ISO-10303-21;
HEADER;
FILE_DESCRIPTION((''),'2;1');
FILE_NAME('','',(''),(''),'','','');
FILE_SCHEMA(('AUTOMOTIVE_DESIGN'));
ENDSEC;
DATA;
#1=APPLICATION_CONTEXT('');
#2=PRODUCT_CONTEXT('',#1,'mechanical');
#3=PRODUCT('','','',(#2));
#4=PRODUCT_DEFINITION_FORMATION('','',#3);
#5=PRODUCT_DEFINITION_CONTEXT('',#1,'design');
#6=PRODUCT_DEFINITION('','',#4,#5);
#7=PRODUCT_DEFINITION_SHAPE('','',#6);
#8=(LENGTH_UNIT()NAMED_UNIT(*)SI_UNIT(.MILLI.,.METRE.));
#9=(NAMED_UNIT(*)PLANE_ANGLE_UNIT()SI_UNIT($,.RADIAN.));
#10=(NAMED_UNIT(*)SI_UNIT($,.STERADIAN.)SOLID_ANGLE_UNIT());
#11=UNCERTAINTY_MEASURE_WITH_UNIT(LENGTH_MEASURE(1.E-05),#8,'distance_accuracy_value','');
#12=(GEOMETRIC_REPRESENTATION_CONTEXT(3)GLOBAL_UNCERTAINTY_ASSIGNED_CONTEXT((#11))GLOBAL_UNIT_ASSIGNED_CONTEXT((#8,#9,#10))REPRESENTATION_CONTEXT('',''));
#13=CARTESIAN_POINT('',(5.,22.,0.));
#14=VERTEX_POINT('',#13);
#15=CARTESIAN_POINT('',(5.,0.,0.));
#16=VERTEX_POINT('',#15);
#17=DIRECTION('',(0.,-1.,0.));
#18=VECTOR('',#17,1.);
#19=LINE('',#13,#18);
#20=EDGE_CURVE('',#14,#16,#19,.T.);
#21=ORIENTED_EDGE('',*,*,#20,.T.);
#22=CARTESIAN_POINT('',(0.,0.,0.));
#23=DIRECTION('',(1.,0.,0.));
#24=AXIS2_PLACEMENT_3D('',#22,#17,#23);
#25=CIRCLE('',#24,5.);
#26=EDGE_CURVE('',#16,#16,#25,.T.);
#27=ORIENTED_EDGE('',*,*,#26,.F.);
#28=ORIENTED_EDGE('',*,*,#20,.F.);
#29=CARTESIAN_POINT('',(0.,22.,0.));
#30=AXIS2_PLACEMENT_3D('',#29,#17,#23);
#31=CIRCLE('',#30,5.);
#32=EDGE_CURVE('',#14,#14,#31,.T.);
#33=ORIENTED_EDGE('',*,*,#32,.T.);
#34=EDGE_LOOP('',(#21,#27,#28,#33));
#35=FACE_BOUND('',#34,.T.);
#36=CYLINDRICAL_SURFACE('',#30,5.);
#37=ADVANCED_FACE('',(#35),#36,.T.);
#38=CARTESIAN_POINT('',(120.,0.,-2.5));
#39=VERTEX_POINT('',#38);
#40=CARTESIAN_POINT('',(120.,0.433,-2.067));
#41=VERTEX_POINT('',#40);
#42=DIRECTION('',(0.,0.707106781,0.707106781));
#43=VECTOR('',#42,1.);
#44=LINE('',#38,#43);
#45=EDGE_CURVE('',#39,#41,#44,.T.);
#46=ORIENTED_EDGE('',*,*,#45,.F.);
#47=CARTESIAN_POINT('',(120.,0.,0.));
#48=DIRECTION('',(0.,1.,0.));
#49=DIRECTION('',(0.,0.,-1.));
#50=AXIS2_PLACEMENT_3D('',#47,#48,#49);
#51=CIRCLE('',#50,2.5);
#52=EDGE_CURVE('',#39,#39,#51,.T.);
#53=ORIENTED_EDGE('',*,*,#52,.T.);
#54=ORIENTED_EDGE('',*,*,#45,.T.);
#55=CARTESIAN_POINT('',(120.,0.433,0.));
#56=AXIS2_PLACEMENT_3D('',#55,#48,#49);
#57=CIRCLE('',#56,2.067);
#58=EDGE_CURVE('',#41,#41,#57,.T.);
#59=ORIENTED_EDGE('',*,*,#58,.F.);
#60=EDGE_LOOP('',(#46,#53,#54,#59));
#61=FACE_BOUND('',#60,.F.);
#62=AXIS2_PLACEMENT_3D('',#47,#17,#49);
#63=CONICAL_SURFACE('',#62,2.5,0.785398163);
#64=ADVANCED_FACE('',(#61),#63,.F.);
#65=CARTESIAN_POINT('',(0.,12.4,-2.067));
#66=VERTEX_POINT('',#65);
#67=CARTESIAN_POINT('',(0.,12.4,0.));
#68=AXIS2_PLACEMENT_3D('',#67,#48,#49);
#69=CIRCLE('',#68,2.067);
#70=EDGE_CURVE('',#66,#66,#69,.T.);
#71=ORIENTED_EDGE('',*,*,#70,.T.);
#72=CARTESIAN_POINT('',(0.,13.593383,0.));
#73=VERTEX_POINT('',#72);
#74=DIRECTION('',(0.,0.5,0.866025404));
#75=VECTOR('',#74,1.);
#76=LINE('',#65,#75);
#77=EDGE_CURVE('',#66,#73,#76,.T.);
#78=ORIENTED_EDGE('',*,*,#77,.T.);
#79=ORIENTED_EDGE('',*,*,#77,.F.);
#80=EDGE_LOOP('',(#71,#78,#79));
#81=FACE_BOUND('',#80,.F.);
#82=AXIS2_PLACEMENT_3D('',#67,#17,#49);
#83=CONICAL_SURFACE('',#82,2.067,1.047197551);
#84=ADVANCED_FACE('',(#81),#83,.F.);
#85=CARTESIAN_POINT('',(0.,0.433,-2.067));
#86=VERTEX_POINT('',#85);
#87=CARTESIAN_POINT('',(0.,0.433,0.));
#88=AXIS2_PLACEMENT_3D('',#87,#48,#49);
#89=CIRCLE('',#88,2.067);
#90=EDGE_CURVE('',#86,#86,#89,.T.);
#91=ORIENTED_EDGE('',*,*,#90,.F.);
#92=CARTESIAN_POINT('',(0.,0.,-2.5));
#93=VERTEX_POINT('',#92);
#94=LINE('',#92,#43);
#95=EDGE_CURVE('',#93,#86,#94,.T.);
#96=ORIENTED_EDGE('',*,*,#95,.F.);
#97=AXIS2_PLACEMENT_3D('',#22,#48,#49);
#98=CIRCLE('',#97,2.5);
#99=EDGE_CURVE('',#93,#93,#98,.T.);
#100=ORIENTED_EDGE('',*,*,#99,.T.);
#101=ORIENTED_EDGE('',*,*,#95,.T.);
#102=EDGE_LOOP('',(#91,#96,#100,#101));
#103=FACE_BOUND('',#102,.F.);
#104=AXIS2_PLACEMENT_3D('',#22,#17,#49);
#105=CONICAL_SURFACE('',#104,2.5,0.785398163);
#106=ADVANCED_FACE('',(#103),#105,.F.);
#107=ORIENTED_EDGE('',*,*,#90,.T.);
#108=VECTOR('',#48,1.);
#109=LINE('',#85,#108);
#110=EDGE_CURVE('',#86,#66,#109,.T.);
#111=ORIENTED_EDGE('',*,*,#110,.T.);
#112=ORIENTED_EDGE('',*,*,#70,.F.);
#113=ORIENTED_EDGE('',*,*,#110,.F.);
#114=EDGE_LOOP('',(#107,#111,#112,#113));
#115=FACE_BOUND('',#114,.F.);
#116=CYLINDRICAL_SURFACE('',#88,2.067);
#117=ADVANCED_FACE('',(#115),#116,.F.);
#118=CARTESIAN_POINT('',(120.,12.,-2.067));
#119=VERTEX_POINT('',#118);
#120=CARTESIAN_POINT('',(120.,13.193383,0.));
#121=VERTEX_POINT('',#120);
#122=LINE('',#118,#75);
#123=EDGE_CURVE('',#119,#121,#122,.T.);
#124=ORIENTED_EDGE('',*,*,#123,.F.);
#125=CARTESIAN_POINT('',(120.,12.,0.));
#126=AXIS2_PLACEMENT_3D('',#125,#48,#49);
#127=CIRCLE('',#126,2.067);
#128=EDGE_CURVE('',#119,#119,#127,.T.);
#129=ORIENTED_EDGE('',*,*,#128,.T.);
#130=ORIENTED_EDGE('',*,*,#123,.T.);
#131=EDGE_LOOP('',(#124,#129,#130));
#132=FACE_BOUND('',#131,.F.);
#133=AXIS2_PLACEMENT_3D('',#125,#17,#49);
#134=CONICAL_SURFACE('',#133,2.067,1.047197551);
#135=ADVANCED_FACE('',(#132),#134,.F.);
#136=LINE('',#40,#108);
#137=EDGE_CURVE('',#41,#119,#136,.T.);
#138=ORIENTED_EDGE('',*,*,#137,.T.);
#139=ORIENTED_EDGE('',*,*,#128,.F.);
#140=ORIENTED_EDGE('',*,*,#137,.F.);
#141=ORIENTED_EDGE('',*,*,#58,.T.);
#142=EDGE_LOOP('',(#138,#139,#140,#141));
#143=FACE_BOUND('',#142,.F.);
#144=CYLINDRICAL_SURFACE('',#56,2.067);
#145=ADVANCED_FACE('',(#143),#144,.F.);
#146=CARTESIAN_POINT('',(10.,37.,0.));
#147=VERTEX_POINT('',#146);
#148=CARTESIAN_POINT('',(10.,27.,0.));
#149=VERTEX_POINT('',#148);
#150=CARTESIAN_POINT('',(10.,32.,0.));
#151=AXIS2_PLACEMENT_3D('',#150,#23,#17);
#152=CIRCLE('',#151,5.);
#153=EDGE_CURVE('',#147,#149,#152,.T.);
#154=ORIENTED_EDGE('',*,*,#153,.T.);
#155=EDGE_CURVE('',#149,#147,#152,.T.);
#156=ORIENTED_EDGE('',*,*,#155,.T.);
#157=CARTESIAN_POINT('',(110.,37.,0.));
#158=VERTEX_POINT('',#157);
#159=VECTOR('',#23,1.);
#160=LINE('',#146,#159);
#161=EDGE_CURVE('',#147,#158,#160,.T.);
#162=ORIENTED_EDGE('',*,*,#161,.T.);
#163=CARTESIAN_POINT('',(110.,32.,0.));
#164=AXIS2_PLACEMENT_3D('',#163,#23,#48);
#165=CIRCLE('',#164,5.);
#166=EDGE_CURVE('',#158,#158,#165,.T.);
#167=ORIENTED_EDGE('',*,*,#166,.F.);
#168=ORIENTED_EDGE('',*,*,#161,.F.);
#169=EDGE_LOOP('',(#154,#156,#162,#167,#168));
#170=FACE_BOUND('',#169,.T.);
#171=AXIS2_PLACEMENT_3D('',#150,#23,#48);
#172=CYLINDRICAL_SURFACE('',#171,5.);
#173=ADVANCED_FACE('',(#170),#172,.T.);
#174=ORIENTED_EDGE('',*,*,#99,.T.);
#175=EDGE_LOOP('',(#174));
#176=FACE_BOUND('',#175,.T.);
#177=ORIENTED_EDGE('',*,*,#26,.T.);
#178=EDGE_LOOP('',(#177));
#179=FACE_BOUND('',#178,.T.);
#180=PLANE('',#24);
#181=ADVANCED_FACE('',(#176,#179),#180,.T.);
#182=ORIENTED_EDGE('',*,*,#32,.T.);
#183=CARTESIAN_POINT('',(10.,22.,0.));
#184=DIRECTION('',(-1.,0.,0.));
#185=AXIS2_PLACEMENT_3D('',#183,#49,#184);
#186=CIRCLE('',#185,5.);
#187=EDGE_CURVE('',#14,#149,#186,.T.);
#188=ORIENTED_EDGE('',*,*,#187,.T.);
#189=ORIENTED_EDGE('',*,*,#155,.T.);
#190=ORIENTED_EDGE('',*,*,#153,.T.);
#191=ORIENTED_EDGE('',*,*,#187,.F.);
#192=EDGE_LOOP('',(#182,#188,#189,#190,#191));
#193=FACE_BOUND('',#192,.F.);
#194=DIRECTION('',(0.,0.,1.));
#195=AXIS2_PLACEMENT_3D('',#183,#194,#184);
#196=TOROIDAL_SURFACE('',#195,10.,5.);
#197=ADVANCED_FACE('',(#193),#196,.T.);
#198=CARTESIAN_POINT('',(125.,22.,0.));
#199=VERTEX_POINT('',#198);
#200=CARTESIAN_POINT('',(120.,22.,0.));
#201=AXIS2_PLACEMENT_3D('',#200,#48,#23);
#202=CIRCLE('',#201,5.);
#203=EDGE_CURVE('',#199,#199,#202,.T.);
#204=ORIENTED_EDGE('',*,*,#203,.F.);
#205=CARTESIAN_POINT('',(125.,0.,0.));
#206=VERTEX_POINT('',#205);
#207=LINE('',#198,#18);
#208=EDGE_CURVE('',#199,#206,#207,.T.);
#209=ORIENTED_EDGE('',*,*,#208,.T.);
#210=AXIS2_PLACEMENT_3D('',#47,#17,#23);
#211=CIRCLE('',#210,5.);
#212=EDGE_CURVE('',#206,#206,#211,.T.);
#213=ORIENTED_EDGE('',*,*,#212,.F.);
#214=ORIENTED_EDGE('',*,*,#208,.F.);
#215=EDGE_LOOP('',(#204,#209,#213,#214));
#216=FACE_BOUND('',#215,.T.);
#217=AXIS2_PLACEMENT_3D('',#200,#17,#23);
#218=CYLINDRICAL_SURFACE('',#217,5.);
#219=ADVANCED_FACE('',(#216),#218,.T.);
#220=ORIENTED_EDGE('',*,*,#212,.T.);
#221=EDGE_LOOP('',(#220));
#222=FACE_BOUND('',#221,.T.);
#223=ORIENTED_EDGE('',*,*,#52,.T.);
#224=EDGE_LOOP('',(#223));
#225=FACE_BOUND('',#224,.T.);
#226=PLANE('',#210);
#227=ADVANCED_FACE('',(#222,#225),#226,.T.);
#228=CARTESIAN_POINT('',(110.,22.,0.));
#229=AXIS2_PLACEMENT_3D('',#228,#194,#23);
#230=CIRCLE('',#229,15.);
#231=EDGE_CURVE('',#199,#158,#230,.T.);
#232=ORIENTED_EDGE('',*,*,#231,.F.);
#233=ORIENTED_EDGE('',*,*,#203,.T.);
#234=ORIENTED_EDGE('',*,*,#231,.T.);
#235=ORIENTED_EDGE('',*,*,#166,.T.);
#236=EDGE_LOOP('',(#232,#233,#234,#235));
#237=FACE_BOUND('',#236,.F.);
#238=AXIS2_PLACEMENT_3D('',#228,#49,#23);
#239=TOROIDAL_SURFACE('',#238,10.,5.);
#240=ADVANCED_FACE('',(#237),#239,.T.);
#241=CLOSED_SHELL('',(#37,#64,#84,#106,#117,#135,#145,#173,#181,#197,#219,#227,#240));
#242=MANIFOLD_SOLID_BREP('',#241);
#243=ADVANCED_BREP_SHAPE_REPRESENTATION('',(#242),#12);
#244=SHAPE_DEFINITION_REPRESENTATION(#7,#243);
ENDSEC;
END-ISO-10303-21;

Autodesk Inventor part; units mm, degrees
sketch "Sketch_1" plane through (0, 0, 0) normal (0, 0, 1) x (1, 0, 0)
  line L0 (0, 0) -> (0, 22)
  line L1 (0, 22) -> (5, 22)
  line L2 (5, 22) -> (5, 0)
  line L3 (5, 0) -> (0, 0)
  line L4 (0, 0) -> (0, 22)
revolve "Revolution1" add sketch "Sketch_1" angle 360 about axis through (0, 0, 0) along (0, -1, 0)
sketch "Sketch_2" plane through (0, 22, 0) normal (0, 1, 0) x (1, 0, 0)
  line L0 (10, 10) -> (10, -10)
  circle A0 centre (0, 0) radius 5
revolve "Revolution2" add sketch "Sketch_2" angle 90 about axis through (10, 22, -10) along (0, 0, -1)
sketch "Sketch3" plane through (0, 0, 0) normal (0, -1, 0) x (1, 0, 0)
  point P0 (0, 0)
hole "Hole1" at (0, 0, 0) direction (0, 1, 0) diameter 4.134 depth 12.4 tip angle 120 countersink diameter 5 countersink angle 90 thread size "M5x0.8" class "6H" standard "ISO Metric profile"
sketch "Sketch_4" plane through (0, 0, 0) normal (0, 0, 1) x (1, 0, 0)
  line L0 (110, 32) -> (10, 32)
  line L1 (10, 32) -> (10, 37)
  line L2 (10, 37) -> (110, 37)
  line L3 (110, 37) -> (110, 32)
  line L4 (110, 32) -> (10, 32)
revolve "Revolution3" add sketch "Sketch_4" angle 360 about axis through (110, 32, 0) along (1, 0, 0)
sketch "Sketch_6" plane through (0, 22, 0) normal (0, 1, 0) x (1, 0, 0)
  line L0 (110, -10) -> (110, 10)
  circle A0 centre (120, 0) radius 5
revolve "Revolution4" add sketch "Sketch_6" angle 90 about axis through (110, 22, 10) along (0, 0, 1)
sketch "Sketch_5" plane through (0, 0, 0) normal (0, 0, 1) x (1, 0, 0)
  line L0 (120, 0) -> (120, 22)
  line L1 (120, 22) -> (125, 22)
  line L2 (125, 22) -> (125, 0)
  line L3 (125, 0) -> (120, 0)
  line L4 (120, 0) -> (120, 22)
revolve "Revolution5" add sketch "Sketch_5" angle 360 about axis through (120, 0, 0) along (0, -1, 0)
sketch "Sketch7" plane through (120, 0, 0) normal (0, -1, 0) x (1, 0, 0)
  point P0 (0, 0)
hole "Hole2" at (120, 0, 0) direction (0, 1, 0) diameter 4.134 depth 12 tip angle 120 countersink diameter 5 countersink angle 90 thread size "M5x0.8" class "6H" standard "ISO Metric profile"
ref_plane "RR_XY" through (60, 32, 0) normal (1, 0, 0) x (0, 0, -1)
ref_plane "RR_YZ" through (60, 32, 0) normal (0, 0, -1) x (0, 1, 0)
ref_plane "RR_ZX" through (60, 32, 0) normal (0, 1, 0) x (1, 0, 0)
ref_plane "U_XY" through (0, 0, 0) normal (0, 1, 0) x (1, 0, 0)
ref_plane "U_YZ" through (0, 0, 0) normal (1, 0, 0) x (0, 0, -1)
ref_plane "U_ZX" through (0, 0, 0) normal (0, 0, -1) x (0, 1, 0)
ref_plane "U1_XY" through (120, 0, 0) normal (0, 1, 0) x (1, 0, 0)
ref_plane "U1_YZ" through (120, 0, 0) normal (1, 0, 0) x (0, 0, -1)
ref_plane "U1_ZX" through (120, 0, 0) normal (0, 0, -1) x (0, 1, 0)
properties part number "UWANK10-120-27" material "鋼、炭素鋼"
